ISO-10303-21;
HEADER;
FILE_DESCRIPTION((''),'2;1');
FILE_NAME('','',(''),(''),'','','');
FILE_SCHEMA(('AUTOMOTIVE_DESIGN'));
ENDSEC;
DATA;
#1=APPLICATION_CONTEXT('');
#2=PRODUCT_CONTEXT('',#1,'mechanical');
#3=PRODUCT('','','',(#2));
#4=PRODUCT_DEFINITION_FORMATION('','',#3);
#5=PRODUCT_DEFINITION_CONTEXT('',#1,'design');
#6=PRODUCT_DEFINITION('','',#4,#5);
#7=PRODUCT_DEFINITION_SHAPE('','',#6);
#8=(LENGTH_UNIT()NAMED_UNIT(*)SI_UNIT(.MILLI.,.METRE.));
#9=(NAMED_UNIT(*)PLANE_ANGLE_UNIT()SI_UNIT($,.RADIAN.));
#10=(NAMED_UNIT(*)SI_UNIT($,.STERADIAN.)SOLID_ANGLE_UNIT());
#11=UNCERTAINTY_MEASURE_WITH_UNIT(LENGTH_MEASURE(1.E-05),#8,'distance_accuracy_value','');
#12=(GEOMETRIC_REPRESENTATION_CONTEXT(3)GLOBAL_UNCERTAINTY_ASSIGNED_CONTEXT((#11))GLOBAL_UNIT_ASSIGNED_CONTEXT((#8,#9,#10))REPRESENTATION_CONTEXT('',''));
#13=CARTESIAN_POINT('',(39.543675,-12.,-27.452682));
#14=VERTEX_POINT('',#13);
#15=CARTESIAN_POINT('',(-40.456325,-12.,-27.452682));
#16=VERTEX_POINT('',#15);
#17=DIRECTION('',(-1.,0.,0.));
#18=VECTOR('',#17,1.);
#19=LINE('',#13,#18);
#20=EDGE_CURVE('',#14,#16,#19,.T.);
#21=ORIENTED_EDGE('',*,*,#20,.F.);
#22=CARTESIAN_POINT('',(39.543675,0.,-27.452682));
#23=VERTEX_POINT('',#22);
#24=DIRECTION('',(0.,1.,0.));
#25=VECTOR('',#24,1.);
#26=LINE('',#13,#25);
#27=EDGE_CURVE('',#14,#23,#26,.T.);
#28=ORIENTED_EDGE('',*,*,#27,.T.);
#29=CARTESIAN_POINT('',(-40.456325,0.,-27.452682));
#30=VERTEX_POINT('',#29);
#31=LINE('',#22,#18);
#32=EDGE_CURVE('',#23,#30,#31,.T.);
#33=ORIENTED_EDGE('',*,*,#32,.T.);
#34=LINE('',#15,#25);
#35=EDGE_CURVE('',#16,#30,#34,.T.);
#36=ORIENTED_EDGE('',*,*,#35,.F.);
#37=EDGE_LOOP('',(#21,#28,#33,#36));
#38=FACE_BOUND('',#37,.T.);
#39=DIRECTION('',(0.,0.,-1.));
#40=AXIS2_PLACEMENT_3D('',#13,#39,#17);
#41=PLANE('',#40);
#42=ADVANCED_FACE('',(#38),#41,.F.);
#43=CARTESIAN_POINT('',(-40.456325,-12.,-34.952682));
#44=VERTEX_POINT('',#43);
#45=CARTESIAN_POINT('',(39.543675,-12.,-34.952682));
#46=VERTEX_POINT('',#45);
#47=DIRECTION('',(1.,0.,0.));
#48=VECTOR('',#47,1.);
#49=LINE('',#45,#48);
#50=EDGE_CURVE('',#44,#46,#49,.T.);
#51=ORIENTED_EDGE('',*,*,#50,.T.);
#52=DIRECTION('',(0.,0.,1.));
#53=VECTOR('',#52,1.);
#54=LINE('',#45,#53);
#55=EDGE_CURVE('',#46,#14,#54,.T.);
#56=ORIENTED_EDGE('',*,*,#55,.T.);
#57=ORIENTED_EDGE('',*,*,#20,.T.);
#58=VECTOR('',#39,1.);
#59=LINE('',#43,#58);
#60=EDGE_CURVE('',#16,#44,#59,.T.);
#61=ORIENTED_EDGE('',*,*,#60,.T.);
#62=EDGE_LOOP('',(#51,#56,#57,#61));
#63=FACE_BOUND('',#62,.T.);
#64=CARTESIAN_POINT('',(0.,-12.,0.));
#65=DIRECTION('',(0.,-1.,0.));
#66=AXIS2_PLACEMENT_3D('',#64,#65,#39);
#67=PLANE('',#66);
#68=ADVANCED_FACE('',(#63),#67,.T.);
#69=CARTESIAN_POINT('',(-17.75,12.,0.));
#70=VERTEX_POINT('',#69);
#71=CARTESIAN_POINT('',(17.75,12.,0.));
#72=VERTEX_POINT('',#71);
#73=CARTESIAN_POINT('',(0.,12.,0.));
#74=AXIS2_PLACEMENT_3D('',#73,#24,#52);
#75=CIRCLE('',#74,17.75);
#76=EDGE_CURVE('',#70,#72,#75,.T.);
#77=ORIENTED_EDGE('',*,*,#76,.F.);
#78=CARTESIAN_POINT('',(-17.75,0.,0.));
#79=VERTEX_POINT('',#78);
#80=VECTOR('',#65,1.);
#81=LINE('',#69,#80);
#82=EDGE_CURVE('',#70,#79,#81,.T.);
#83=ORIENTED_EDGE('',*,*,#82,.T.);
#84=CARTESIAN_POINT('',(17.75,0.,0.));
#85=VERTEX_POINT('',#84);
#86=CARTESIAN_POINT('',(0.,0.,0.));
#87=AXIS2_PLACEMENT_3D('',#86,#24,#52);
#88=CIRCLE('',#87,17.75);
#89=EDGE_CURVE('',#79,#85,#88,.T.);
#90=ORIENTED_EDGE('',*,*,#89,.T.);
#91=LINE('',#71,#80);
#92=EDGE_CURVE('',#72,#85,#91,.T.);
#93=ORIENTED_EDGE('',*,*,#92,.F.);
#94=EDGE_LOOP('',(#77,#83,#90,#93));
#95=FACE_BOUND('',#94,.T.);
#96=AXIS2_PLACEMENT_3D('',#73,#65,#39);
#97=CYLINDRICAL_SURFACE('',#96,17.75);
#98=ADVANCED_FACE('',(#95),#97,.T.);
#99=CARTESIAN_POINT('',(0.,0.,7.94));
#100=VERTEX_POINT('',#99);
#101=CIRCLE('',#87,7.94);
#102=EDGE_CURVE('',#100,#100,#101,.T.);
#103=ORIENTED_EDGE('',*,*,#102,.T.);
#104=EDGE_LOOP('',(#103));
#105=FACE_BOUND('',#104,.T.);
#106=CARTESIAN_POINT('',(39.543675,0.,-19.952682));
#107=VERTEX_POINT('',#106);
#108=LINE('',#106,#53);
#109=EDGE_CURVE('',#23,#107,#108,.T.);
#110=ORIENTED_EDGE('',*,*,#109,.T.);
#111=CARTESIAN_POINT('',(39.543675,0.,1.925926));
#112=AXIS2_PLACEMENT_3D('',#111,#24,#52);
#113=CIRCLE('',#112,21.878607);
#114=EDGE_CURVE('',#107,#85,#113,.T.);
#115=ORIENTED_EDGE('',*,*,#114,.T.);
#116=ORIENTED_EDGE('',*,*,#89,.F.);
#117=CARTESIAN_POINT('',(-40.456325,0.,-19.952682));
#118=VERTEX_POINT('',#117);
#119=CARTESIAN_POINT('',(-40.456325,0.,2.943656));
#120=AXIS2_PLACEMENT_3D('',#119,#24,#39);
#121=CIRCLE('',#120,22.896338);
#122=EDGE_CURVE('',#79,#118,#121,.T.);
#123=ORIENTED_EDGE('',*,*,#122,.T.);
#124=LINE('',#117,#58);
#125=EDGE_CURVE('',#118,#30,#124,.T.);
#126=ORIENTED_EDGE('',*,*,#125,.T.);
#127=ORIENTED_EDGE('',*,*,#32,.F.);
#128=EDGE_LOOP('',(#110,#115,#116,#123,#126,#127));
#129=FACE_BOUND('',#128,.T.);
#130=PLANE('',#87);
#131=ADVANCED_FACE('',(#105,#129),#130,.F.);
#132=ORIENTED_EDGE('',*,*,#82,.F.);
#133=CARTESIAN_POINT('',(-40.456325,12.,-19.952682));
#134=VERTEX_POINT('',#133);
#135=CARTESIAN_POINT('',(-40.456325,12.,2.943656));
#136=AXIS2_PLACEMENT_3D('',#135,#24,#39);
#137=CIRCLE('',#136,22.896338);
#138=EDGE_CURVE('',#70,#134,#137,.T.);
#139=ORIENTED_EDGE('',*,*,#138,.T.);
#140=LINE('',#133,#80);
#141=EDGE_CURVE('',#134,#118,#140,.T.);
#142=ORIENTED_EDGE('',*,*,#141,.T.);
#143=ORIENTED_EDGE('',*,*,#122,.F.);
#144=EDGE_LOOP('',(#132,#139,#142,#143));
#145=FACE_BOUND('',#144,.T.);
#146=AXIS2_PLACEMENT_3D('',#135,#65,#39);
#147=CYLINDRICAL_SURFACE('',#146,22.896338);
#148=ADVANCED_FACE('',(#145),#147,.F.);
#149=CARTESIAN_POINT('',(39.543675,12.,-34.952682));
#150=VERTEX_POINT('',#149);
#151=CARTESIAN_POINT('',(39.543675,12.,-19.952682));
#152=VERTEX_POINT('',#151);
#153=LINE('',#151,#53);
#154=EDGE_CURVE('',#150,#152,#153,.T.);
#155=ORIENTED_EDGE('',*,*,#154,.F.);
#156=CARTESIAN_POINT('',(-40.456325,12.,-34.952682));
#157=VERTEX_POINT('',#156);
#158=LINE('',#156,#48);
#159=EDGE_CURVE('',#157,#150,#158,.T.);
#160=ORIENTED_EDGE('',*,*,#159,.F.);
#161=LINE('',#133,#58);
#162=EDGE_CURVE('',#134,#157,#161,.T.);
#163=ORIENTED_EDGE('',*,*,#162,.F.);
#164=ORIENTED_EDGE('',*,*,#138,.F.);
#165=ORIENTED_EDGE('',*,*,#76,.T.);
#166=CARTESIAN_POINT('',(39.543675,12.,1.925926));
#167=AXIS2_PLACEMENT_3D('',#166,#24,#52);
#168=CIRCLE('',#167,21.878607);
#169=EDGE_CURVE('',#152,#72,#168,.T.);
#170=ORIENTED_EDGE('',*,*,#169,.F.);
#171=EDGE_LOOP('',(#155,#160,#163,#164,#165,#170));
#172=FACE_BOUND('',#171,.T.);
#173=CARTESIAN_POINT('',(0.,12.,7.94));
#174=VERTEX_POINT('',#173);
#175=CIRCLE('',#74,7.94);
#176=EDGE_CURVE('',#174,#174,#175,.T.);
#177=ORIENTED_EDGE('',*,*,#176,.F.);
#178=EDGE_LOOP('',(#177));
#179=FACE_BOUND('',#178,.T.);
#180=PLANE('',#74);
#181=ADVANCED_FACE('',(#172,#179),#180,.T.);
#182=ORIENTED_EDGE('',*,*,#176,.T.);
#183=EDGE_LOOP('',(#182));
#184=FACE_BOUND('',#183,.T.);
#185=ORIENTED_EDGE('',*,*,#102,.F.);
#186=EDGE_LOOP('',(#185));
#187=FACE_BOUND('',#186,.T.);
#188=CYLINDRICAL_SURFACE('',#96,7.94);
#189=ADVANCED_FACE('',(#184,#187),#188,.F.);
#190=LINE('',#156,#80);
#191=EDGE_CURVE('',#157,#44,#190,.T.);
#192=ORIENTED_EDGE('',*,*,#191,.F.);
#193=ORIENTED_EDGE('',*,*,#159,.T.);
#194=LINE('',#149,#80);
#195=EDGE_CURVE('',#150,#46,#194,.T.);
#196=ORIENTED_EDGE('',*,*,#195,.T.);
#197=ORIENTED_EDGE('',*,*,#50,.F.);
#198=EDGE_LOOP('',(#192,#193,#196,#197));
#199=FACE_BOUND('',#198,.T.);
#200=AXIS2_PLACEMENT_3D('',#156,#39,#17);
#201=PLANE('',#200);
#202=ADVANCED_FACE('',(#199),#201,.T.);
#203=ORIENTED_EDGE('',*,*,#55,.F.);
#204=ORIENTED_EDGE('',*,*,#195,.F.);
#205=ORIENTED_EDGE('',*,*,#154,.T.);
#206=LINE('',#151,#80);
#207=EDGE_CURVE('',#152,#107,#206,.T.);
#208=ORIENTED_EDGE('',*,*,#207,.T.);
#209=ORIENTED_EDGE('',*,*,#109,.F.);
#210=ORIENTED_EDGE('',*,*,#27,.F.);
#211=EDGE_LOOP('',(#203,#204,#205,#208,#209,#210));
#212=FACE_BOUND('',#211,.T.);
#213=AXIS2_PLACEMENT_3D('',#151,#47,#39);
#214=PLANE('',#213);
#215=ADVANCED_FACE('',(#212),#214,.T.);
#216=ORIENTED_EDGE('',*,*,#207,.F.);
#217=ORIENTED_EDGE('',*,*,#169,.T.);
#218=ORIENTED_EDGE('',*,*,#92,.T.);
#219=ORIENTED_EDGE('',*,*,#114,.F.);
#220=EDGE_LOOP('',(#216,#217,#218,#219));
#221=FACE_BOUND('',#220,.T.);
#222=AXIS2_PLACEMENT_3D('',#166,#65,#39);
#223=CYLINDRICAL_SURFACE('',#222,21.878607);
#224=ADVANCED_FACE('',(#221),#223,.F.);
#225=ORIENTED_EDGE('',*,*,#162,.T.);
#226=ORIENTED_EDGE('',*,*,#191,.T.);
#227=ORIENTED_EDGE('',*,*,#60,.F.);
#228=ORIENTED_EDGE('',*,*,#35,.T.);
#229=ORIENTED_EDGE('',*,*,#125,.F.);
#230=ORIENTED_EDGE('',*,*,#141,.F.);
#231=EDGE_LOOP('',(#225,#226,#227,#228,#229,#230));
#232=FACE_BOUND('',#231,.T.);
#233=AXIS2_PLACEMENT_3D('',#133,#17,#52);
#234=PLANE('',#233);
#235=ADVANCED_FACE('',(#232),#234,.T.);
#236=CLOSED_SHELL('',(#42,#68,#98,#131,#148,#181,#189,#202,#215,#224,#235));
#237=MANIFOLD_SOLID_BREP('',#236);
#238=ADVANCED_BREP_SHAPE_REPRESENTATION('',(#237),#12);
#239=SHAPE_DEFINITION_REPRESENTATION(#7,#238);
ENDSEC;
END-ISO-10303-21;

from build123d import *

# Parameters (mm, degrees)
SKETCH1_R           = 17.75
SKETCH1_R_2         = 7.94
BOSS_EXTRUDE1_DEPTH = 12
BOSS_EXTRUDE6_DEPTH = 12
SKETCH9_W           = 80
SKETCH9_H           = 15
BOSS_EXTRUDE7_DEPTH = 12
SKETCH10_W          = 80
SKETCH10_H          = 7.5
BOSS_EXTRUDE8_DEPTH = 12


with BuildPart() as part:
    # Sketch1 → Boss-Extrude1 (new body)
    with BuildSketch(Plane(origin=(0, 0, 0), x_dir=(1, 0, 0), z_dir=(0, 1, 0))):
        with Locations(Location((0, 0, 0), (0, 0, 270))):
            Circle(SKETCH1_R)
        with Locations(Location((0, 0, 0), (0, 0, 270))):
            Circle(SKETCH1_R_2, mode=Mode.SUBTRACT)
    extrude(amount=BOSS_EXTRUDE1_DEPTH)

    # Sketch6 → Boss-Extrude6 (add)
    with BuildSketch(Plane.XZ):
        with BuildLine():
            Line((-0.456324954, -19.952681815), (-40.456324954, -19.952681815))
            ThreePointArc((-40.456324954, -19.952681815), (-25.342699441, -14.255780456), (-17.75, 0))
            ThreePointArc((-17.75, 0), (0, -17.75), (17.75, 0))
            ThreePointArc((17.75, 0), (24.769764057, -14.21114403), (39.543675046, -19.952681815))
            Line((39.543675046, -19.952681815), (-0.456324954, -19.952681815))
        make_face()
    extrude(amount=-BOSS_EXTRUDE6_DEPTH)

    # Sketch9 → Boss-Extrude7 (add)
    with BuildSketch(Plane(origin=(0, 0, 0), x_dir=(-1, 0, 0), z_dir=(0, -1, 0))):
        with Locations((0.456324954, 27.452681815)):
            Rectangle(SKETCH9_W, SKETCH9_H)
    extrude(amount=-BOSS_EXTRUDE7_DEPTH)

    # Sketch10 → Boss-Extrude8 (add)
    with BuildSketch(Plane.XZ):
        with Locations((-0.456324954, -31.202681815)):
            Rectangle(SKETCH10_W, SKETCH10_H)
    extrude(amount=BOSS_EXTRUDE8_DEPTH)


solid = part.part
